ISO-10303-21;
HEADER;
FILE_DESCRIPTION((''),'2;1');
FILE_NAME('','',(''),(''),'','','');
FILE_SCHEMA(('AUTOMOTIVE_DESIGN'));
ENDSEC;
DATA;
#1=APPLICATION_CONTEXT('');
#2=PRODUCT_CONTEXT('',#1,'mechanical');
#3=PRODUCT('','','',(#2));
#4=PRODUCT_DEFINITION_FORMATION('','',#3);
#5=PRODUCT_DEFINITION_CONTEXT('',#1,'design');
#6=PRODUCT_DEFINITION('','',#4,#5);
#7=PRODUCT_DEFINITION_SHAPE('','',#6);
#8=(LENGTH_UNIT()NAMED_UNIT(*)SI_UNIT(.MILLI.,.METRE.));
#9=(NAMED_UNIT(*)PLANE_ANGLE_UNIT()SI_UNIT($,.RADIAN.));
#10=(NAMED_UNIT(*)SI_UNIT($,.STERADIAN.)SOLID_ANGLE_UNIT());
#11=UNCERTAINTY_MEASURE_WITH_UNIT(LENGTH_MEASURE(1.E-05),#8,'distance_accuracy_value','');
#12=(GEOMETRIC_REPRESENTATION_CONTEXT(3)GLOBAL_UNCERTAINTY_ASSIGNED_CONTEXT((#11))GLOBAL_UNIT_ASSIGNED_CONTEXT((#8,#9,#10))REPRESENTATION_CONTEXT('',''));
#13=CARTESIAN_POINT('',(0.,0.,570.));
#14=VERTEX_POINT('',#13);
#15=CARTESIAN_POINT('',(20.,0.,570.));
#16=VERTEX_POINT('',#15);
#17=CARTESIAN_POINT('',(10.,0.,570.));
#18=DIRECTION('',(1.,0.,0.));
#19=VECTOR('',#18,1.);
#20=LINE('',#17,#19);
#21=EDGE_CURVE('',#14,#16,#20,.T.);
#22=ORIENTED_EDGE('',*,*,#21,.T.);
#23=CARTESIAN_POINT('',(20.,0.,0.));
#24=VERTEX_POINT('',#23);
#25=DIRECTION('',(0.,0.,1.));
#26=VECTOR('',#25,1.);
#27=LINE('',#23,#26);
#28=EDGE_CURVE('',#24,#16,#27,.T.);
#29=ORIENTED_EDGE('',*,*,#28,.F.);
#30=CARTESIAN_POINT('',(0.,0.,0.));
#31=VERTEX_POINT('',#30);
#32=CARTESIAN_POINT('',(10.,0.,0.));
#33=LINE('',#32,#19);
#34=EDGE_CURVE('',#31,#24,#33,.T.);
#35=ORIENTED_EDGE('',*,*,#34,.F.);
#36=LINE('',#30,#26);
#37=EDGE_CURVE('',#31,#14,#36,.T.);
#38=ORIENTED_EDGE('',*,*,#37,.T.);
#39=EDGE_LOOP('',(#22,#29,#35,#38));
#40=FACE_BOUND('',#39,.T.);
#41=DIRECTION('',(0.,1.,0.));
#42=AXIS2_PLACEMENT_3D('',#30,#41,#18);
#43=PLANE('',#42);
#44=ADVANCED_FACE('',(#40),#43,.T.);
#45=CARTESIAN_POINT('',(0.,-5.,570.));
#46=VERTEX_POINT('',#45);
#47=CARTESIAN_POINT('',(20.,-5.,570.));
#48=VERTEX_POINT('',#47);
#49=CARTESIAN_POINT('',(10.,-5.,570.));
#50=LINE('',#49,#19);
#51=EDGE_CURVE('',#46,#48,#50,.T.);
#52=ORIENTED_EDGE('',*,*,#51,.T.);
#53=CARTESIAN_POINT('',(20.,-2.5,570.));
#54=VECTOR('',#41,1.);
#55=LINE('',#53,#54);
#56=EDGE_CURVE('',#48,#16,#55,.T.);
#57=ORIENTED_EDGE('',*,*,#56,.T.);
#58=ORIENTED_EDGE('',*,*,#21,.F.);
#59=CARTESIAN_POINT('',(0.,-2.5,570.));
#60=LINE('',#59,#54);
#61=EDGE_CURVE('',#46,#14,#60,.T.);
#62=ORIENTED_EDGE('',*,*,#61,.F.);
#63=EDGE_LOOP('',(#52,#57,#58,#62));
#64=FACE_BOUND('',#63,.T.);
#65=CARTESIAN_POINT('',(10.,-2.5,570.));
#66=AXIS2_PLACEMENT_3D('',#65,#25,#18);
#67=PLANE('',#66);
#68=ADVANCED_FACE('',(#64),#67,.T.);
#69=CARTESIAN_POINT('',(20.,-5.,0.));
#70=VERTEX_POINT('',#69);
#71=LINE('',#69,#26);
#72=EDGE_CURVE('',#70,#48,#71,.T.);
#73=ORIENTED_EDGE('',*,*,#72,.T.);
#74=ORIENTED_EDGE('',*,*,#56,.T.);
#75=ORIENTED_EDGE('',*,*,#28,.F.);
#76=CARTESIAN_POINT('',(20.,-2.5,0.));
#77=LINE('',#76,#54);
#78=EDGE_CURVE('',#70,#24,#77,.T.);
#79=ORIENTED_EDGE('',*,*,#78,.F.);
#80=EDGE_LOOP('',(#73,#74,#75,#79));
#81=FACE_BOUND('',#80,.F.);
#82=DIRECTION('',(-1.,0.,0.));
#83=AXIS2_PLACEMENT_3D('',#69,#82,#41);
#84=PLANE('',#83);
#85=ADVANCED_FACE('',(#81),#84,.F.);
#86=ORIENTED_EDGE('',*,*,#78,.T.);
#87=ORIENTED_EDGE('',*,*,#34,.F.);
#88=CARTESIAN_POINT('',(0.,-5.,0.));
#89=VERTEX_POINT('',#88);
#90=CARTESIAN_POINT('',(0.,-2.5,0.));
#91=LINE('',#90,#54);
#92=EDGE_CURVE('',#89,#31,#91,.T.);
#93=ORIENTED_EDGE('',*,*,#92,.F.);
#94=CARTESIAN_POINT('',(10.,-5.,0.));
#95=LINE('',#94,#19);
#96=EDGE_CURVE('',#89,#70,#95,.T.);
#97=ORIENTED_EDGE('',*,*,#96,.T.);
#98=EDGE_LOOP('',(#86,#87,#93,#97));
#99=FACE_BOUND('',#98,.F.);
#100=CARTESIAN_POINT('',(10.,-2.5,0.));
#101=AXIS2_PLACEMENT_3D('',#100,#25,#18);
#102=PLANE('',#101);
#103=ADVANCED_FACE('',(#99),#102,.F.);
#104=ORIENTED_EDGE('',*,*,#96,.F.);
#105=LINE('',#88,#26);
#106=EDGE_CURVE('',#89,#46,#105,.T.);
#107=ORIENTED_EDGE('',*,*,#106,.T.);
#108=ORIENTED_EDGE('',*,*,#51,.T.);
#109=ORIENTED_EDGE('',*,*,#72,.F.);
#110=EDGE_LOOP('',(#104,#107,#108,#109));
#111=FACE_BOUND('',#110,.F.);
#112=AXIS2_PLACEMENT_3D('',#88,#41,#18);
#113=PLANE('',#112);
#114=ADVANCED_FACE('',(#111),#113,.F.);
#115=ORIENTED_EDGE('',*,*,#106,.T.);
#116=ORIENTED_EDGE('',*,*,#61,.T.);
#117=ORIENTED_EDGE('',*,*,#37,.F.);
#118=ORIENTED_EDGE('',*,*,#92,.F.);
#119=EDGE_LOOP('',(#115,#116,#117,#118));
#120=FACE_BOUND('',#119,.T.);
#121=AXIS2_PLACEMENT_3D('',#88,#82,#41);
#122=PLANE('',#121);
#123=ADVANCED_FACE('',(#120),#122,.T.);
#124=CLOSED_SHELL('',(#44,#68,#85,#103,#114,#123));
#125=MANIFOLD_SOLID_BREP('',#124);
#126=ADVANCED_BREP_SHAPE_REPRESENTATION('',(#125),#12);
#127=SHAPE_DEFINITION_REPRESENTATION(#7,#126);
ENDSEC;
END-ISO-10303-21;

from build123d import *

# Parameters (mm, degrees)
SKETCH_W  = 20
SKETCH_H  = 5
PAD_DEPTH = 570


with BuildPart() as part:
    # Sketch → Pad (new body)
    with BuildSketch(Plane.XY):
        with Locations((10, -2.5)):
            Rectangle(SKETCH_W, SKETCH_H)
    extrude(amount=PAD_DEPTH)


solid = part.part
